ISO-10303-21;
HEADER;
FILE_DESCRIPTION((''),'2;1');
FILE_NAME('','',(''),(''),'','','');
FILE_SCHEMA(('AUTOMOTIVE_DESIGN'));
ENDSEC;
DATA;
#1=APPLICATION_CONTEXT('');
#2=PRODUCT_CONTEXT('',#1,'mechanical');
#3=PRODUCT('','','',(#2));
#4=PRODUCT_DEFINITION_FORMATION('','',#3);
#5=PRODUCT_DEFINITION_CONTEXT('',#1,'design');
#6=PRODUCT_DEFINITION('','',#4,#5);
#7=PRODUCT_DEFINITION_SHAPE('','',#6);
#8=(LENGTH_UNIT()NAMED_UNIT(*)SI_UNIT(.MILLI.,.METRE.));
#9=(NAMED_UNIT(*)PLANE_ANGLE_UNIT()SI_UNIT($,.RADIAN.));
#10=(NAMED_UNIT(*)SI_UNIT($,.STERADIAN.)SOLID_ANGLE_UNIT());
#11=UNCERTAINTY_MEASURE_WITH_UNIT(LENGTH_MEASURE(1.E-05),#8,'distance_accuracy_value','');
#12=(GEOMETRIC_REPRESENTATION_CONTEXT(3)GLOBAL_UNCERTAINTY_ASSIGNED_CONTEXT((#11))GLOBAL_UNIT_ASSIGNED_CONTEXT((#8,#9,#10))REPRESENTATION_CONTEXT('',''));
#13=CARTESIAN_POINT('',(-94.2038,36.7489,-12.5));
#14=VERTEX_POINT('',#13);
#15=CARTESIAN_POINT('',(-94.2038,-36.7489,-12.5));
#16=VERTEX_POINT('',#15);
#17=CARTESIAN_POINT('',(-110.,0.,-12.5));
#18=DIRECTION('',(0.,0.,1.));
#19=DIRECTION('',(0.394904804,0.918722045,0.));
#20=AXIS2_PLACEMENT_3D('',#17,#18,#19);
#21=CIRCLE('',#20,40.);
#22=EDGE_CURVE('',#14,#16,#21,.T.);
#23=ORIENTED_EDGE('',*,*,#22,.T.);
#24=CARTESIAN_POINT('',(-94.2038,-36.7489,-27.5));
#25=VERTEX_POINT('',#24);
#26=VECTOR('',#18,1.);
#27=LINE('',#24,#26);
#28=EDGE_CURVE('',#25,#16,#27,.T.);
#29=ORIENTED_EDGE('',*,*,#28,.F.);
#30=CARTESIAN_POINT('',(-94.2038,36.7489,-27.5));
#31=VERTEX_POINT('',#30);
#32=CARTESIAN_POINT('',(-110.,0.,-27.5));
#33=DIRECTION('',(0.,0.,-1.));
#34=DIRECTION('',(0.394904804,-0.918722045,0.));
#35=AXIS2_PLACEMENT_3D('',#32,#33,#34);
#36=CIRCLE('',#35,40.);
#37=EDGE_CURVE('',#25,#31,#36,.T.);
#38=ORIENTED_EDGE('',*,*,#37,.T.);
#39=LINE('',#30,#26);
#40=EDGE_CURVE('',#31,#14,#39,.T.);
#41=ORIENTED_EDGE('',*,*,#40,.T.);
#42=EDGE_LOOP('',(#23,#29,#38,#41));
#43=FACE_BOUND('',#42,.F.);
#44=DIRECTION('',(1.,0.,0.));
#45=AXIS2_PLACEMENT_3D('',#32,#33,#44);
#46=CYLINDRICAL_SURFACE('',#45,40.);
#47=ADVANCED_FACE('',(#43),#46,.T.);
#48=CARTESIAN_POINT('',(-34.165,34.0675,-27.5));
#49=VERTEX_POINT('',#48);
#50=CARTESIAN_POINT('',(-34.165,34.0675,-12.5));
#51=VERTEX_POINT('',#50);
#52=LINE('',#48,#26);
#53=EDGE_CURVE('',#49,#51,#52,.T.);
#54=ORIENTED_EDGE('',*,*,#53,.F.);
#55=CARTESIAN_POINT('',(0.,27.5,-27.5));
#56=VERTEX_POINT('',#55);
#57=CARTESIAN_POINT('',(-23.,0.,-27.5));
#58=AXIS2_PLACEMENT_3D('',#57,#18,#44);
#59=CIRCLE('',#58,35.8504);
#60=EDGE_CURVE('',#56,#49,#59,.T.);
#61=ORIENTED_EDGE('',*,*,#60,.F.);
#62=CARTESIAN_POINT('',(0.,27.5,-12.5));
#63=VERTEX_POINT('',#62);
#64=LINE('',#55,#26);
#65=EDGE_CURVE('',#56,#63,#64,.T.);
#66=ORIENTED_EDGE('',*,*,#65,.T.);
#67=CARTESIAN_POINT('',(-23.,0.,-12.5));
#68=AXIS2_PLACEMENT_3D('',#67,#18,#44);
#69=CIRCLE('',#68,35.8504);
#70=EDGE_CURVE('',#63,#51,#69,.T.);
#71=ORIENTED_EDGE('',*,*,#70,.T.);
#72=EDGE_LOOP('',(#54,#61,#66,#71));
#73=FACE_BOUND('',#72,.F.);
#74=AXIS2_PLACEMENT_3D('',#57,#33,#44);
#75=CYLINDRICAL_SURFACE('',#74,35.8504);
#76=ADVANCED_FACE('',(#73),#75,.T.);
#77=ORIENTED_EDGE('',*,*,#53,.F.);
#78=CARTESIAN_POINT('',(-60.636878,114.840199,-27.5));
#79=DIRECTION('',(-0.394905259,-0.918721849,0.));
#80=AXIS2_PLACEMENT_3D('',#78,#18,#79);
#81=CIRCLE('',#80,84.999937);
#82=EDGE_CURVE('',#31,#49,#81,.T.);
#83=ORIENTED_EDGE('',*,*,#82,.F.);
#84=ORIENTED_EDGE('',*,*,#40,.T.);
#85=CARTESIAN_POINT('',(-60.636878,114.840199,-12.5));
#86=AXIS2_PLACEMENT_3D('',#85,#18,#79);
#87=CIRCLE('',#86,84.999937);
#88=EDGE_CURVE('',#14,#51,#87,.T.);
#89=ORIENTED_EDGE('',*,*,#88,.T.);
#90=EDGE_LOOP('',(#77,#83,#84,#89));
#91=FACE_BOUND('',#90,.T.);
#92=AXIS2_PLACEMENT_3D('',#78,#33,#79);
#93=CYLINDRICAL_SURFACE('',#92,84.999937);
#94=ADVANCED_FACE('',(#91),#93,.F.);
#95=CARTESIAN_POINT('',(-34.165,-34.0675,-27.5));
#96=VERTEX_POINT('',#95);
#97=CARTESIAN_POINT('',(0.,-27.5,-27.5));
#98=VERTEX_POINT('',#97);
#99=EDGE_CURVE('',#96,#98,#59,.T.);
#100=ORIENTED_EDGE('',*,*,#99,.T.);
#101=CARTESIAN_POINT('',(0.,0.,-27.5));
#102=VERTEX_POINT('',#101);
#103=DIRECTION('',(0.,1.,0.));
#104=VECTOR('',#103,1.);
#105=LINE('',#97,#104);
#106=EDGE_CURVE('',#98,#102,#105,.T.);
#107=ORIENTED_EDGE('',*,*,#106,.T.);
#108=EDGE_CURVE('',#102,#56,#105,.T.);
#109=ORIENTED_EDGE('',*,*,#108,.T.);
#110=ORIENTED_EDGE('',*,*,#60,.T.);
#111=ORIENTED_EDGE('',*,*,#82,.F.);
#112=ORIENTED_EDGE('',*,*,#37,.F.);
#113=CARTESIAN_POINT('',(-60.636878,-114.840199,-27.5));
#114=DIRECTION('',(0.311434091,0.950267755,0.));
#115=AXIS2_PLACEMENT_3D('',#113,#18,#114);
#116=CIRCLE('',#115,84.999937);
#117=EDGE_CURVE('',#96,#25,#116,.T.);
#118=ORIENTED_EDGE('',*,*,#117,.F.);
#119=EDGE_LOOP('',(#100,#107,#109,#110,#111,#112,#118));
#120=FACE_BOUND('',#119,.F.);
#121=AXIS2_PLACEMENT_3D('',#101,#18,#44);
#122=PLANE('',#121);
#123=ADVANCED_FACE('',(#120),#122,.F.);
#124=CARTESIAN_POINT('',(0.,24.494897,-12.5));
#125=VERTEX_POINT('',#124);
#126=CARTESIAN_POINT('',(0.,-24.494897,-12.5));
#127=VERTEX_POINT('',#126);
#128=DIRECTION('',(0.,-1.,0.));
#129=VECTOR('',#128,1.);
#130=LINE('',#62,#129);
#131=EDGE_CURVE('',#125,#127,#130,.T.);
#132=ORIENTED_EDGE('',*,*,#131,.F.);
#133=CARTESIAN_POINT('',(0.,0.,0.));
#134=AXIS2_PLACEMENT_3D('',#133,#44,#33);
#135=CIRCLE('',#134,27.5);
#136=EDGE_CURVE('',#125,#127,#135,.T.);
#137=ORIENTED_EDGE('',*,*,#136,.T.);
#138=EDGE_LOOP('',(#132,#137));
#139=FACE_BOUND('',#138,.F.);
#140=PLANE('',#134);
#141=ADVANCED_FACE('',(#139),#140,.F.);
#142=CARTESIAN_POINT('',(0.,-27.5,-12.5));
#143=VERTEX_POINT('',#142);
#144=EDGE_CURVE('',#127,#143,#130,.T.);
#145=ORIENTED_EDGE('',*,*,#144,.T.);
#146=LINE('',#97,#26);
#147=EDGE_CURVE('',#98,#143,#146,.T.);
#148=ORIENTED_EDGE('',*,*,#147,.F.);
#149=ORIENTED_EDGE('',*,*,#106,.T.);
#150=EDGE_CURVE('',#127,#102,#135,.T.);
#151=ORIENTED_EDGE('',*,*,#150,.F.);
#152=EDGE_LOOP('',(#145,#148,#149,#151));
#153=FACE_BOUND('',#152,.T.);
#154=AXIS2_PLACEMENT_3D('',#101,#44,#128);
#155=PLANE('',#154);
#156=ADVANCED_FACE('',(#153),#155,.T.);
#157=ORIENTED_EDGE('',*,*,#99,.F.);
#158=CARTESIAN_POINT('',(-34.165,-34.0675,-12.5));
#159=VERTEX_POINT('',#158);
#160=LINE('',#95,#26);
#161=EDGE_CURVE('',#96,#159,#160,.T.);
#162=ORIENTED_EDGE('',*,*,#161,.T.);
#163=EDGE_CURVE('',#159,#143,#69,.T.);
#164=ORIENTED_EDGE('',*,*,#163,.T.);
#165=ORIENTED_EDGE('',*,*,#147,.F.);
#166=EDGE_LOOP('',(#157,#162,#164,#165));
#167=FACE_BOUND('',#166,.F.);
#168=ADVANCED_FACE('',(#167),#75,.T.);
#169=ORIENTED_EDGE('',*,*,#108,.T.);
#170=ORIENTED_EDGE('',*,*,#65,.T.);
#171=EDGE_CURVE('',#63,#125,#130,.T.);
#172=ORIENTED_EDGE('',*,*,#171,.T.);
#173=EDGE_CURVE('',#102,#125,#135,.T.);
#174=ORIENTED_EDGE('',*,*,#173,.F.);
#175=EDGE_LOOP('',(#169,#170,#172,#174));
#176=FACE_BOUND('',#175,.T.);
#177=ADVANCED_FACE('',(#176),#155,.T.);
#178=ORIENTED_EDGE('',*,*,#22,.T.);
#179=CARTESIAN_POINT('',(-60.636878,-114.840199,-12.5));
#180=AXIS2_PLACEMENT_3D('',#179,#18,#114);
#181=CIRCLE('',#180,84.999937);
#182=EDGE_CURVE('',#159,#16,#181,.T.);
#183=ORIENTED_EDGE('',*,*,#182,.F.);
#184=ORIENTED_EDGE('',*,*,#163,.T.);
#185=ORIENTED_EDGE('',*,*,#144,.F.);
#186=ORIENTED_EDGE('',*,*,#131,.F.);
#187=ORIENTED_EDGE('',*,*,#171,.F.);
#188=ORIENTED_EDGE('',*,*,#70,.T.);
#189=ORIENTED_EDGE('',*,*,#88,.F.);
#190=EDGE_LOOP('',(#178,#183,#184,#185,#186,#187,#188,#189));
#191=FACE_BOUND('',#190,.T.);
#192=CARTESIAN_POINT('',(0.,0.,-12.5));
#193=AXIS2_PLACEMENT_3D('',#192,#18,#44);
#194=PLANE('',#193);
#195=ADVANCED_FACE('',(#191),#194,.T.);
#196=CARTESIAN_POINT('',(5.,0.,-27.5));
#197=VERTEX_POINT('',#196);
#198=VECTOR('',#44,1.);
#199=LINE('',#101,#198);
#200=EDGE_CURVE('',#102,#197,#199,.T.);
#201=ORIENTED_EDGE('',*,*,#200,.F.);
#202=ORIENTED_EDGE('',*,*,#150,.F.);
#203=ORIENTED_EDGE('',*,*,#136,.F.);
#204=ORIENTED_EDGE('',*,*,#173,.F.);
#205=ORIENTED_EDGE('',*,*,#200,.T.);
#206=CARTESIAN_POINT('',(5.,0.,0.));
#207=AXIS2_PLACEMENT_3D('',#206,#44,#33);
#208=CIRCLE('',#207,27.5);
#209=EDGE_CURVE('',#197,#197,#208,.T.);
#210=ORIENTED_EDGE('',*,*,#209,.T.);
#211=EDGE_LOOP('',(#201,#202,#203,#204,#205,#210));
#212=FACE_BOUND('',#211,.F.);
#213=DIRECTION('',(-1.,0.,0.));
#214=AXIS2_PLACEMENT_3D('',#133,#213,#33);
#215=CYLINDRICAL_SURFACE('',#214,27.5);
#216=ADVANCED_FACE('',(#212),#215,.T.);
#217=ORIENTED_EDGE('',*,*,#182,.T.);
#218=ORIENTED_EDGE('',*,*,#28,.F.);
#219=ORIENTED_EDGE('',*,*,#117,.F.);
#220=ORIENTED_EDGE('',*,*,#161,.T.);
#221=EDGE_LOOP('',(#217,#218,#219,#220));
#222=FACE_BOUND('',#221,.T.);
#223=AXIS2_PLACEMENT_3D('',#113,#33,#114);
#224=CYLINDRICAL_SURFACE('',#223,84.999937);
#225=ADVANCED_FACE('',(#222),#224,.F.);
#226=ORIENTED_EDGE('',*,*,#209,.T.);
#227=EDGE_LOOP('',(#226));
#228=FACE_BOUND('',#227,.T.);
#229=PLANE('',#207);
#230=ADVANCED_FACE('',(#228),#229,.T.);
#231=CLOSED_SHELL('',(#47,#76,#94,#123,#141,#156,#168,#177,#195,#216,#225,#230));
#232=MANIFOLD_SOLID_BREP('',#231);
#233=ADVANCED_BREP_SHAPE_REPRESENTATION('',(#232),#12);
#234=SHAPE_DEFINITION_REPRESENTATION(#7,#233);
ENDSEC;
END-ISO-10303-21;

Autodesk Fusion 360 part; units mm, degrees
sketch "Sketch1" plane through (0, 0, 0) normal (1, 0, 0) x (0, 0, -1)
  circle A0 centre (0, 0) radius 27.5
  dimension "d1" = 55
extrude "Extrude1" add sketch "Sketch1" along normal blind 5
ref_plane "WorkPlane1" through (0, 0, -27.5) normal (0, 0, 1) x (1, 0, 0)
sketch "Sketch2" plane through (0, 0, -27.5) normal (0, 0, 1) x (1, 0, 0)
  line L0 (0, 0) -> (-150, 0)
  line L1 (0, 0) -> (-23, 0)
  line L2 (-150, 0) -> (-110, 0)
  line L3 (0, 0) -> (0, 27.5)
  circle A0 centre (-23, 0) radius 35.8504
  circle A1 centre (-110, 0) radius 40
  line L4 (0, 27.5) -> (0, -27.5)
  arc A2 (-94.2038, 36.7489) -> (-34.165, 34.0675) centre (-60.6369, 114.8402) ccw
  arc A3 (-34.165, -34.0675) -> (-94.2038, -36.7489) centre (-60.6369, -114.8402) ccw
  point P0 (0, -27.5)
  point P1 (0, 27.5)
  dimension "d6" = 150
  dimension "d7" = 23
  dimension "d8" = 40
  dimension "d9" = 27.5
  dimension "d10" = 85
extrude "Extrude2" add sketch "Sketch2" along normal blind 15 contours L0 L1 A0 L4 | L0 L1 L3 A0 L4 | L0 A0 A1 A3 | L0 A0 A1 A2 | L0 L2 A1 | L0 L2 A1
